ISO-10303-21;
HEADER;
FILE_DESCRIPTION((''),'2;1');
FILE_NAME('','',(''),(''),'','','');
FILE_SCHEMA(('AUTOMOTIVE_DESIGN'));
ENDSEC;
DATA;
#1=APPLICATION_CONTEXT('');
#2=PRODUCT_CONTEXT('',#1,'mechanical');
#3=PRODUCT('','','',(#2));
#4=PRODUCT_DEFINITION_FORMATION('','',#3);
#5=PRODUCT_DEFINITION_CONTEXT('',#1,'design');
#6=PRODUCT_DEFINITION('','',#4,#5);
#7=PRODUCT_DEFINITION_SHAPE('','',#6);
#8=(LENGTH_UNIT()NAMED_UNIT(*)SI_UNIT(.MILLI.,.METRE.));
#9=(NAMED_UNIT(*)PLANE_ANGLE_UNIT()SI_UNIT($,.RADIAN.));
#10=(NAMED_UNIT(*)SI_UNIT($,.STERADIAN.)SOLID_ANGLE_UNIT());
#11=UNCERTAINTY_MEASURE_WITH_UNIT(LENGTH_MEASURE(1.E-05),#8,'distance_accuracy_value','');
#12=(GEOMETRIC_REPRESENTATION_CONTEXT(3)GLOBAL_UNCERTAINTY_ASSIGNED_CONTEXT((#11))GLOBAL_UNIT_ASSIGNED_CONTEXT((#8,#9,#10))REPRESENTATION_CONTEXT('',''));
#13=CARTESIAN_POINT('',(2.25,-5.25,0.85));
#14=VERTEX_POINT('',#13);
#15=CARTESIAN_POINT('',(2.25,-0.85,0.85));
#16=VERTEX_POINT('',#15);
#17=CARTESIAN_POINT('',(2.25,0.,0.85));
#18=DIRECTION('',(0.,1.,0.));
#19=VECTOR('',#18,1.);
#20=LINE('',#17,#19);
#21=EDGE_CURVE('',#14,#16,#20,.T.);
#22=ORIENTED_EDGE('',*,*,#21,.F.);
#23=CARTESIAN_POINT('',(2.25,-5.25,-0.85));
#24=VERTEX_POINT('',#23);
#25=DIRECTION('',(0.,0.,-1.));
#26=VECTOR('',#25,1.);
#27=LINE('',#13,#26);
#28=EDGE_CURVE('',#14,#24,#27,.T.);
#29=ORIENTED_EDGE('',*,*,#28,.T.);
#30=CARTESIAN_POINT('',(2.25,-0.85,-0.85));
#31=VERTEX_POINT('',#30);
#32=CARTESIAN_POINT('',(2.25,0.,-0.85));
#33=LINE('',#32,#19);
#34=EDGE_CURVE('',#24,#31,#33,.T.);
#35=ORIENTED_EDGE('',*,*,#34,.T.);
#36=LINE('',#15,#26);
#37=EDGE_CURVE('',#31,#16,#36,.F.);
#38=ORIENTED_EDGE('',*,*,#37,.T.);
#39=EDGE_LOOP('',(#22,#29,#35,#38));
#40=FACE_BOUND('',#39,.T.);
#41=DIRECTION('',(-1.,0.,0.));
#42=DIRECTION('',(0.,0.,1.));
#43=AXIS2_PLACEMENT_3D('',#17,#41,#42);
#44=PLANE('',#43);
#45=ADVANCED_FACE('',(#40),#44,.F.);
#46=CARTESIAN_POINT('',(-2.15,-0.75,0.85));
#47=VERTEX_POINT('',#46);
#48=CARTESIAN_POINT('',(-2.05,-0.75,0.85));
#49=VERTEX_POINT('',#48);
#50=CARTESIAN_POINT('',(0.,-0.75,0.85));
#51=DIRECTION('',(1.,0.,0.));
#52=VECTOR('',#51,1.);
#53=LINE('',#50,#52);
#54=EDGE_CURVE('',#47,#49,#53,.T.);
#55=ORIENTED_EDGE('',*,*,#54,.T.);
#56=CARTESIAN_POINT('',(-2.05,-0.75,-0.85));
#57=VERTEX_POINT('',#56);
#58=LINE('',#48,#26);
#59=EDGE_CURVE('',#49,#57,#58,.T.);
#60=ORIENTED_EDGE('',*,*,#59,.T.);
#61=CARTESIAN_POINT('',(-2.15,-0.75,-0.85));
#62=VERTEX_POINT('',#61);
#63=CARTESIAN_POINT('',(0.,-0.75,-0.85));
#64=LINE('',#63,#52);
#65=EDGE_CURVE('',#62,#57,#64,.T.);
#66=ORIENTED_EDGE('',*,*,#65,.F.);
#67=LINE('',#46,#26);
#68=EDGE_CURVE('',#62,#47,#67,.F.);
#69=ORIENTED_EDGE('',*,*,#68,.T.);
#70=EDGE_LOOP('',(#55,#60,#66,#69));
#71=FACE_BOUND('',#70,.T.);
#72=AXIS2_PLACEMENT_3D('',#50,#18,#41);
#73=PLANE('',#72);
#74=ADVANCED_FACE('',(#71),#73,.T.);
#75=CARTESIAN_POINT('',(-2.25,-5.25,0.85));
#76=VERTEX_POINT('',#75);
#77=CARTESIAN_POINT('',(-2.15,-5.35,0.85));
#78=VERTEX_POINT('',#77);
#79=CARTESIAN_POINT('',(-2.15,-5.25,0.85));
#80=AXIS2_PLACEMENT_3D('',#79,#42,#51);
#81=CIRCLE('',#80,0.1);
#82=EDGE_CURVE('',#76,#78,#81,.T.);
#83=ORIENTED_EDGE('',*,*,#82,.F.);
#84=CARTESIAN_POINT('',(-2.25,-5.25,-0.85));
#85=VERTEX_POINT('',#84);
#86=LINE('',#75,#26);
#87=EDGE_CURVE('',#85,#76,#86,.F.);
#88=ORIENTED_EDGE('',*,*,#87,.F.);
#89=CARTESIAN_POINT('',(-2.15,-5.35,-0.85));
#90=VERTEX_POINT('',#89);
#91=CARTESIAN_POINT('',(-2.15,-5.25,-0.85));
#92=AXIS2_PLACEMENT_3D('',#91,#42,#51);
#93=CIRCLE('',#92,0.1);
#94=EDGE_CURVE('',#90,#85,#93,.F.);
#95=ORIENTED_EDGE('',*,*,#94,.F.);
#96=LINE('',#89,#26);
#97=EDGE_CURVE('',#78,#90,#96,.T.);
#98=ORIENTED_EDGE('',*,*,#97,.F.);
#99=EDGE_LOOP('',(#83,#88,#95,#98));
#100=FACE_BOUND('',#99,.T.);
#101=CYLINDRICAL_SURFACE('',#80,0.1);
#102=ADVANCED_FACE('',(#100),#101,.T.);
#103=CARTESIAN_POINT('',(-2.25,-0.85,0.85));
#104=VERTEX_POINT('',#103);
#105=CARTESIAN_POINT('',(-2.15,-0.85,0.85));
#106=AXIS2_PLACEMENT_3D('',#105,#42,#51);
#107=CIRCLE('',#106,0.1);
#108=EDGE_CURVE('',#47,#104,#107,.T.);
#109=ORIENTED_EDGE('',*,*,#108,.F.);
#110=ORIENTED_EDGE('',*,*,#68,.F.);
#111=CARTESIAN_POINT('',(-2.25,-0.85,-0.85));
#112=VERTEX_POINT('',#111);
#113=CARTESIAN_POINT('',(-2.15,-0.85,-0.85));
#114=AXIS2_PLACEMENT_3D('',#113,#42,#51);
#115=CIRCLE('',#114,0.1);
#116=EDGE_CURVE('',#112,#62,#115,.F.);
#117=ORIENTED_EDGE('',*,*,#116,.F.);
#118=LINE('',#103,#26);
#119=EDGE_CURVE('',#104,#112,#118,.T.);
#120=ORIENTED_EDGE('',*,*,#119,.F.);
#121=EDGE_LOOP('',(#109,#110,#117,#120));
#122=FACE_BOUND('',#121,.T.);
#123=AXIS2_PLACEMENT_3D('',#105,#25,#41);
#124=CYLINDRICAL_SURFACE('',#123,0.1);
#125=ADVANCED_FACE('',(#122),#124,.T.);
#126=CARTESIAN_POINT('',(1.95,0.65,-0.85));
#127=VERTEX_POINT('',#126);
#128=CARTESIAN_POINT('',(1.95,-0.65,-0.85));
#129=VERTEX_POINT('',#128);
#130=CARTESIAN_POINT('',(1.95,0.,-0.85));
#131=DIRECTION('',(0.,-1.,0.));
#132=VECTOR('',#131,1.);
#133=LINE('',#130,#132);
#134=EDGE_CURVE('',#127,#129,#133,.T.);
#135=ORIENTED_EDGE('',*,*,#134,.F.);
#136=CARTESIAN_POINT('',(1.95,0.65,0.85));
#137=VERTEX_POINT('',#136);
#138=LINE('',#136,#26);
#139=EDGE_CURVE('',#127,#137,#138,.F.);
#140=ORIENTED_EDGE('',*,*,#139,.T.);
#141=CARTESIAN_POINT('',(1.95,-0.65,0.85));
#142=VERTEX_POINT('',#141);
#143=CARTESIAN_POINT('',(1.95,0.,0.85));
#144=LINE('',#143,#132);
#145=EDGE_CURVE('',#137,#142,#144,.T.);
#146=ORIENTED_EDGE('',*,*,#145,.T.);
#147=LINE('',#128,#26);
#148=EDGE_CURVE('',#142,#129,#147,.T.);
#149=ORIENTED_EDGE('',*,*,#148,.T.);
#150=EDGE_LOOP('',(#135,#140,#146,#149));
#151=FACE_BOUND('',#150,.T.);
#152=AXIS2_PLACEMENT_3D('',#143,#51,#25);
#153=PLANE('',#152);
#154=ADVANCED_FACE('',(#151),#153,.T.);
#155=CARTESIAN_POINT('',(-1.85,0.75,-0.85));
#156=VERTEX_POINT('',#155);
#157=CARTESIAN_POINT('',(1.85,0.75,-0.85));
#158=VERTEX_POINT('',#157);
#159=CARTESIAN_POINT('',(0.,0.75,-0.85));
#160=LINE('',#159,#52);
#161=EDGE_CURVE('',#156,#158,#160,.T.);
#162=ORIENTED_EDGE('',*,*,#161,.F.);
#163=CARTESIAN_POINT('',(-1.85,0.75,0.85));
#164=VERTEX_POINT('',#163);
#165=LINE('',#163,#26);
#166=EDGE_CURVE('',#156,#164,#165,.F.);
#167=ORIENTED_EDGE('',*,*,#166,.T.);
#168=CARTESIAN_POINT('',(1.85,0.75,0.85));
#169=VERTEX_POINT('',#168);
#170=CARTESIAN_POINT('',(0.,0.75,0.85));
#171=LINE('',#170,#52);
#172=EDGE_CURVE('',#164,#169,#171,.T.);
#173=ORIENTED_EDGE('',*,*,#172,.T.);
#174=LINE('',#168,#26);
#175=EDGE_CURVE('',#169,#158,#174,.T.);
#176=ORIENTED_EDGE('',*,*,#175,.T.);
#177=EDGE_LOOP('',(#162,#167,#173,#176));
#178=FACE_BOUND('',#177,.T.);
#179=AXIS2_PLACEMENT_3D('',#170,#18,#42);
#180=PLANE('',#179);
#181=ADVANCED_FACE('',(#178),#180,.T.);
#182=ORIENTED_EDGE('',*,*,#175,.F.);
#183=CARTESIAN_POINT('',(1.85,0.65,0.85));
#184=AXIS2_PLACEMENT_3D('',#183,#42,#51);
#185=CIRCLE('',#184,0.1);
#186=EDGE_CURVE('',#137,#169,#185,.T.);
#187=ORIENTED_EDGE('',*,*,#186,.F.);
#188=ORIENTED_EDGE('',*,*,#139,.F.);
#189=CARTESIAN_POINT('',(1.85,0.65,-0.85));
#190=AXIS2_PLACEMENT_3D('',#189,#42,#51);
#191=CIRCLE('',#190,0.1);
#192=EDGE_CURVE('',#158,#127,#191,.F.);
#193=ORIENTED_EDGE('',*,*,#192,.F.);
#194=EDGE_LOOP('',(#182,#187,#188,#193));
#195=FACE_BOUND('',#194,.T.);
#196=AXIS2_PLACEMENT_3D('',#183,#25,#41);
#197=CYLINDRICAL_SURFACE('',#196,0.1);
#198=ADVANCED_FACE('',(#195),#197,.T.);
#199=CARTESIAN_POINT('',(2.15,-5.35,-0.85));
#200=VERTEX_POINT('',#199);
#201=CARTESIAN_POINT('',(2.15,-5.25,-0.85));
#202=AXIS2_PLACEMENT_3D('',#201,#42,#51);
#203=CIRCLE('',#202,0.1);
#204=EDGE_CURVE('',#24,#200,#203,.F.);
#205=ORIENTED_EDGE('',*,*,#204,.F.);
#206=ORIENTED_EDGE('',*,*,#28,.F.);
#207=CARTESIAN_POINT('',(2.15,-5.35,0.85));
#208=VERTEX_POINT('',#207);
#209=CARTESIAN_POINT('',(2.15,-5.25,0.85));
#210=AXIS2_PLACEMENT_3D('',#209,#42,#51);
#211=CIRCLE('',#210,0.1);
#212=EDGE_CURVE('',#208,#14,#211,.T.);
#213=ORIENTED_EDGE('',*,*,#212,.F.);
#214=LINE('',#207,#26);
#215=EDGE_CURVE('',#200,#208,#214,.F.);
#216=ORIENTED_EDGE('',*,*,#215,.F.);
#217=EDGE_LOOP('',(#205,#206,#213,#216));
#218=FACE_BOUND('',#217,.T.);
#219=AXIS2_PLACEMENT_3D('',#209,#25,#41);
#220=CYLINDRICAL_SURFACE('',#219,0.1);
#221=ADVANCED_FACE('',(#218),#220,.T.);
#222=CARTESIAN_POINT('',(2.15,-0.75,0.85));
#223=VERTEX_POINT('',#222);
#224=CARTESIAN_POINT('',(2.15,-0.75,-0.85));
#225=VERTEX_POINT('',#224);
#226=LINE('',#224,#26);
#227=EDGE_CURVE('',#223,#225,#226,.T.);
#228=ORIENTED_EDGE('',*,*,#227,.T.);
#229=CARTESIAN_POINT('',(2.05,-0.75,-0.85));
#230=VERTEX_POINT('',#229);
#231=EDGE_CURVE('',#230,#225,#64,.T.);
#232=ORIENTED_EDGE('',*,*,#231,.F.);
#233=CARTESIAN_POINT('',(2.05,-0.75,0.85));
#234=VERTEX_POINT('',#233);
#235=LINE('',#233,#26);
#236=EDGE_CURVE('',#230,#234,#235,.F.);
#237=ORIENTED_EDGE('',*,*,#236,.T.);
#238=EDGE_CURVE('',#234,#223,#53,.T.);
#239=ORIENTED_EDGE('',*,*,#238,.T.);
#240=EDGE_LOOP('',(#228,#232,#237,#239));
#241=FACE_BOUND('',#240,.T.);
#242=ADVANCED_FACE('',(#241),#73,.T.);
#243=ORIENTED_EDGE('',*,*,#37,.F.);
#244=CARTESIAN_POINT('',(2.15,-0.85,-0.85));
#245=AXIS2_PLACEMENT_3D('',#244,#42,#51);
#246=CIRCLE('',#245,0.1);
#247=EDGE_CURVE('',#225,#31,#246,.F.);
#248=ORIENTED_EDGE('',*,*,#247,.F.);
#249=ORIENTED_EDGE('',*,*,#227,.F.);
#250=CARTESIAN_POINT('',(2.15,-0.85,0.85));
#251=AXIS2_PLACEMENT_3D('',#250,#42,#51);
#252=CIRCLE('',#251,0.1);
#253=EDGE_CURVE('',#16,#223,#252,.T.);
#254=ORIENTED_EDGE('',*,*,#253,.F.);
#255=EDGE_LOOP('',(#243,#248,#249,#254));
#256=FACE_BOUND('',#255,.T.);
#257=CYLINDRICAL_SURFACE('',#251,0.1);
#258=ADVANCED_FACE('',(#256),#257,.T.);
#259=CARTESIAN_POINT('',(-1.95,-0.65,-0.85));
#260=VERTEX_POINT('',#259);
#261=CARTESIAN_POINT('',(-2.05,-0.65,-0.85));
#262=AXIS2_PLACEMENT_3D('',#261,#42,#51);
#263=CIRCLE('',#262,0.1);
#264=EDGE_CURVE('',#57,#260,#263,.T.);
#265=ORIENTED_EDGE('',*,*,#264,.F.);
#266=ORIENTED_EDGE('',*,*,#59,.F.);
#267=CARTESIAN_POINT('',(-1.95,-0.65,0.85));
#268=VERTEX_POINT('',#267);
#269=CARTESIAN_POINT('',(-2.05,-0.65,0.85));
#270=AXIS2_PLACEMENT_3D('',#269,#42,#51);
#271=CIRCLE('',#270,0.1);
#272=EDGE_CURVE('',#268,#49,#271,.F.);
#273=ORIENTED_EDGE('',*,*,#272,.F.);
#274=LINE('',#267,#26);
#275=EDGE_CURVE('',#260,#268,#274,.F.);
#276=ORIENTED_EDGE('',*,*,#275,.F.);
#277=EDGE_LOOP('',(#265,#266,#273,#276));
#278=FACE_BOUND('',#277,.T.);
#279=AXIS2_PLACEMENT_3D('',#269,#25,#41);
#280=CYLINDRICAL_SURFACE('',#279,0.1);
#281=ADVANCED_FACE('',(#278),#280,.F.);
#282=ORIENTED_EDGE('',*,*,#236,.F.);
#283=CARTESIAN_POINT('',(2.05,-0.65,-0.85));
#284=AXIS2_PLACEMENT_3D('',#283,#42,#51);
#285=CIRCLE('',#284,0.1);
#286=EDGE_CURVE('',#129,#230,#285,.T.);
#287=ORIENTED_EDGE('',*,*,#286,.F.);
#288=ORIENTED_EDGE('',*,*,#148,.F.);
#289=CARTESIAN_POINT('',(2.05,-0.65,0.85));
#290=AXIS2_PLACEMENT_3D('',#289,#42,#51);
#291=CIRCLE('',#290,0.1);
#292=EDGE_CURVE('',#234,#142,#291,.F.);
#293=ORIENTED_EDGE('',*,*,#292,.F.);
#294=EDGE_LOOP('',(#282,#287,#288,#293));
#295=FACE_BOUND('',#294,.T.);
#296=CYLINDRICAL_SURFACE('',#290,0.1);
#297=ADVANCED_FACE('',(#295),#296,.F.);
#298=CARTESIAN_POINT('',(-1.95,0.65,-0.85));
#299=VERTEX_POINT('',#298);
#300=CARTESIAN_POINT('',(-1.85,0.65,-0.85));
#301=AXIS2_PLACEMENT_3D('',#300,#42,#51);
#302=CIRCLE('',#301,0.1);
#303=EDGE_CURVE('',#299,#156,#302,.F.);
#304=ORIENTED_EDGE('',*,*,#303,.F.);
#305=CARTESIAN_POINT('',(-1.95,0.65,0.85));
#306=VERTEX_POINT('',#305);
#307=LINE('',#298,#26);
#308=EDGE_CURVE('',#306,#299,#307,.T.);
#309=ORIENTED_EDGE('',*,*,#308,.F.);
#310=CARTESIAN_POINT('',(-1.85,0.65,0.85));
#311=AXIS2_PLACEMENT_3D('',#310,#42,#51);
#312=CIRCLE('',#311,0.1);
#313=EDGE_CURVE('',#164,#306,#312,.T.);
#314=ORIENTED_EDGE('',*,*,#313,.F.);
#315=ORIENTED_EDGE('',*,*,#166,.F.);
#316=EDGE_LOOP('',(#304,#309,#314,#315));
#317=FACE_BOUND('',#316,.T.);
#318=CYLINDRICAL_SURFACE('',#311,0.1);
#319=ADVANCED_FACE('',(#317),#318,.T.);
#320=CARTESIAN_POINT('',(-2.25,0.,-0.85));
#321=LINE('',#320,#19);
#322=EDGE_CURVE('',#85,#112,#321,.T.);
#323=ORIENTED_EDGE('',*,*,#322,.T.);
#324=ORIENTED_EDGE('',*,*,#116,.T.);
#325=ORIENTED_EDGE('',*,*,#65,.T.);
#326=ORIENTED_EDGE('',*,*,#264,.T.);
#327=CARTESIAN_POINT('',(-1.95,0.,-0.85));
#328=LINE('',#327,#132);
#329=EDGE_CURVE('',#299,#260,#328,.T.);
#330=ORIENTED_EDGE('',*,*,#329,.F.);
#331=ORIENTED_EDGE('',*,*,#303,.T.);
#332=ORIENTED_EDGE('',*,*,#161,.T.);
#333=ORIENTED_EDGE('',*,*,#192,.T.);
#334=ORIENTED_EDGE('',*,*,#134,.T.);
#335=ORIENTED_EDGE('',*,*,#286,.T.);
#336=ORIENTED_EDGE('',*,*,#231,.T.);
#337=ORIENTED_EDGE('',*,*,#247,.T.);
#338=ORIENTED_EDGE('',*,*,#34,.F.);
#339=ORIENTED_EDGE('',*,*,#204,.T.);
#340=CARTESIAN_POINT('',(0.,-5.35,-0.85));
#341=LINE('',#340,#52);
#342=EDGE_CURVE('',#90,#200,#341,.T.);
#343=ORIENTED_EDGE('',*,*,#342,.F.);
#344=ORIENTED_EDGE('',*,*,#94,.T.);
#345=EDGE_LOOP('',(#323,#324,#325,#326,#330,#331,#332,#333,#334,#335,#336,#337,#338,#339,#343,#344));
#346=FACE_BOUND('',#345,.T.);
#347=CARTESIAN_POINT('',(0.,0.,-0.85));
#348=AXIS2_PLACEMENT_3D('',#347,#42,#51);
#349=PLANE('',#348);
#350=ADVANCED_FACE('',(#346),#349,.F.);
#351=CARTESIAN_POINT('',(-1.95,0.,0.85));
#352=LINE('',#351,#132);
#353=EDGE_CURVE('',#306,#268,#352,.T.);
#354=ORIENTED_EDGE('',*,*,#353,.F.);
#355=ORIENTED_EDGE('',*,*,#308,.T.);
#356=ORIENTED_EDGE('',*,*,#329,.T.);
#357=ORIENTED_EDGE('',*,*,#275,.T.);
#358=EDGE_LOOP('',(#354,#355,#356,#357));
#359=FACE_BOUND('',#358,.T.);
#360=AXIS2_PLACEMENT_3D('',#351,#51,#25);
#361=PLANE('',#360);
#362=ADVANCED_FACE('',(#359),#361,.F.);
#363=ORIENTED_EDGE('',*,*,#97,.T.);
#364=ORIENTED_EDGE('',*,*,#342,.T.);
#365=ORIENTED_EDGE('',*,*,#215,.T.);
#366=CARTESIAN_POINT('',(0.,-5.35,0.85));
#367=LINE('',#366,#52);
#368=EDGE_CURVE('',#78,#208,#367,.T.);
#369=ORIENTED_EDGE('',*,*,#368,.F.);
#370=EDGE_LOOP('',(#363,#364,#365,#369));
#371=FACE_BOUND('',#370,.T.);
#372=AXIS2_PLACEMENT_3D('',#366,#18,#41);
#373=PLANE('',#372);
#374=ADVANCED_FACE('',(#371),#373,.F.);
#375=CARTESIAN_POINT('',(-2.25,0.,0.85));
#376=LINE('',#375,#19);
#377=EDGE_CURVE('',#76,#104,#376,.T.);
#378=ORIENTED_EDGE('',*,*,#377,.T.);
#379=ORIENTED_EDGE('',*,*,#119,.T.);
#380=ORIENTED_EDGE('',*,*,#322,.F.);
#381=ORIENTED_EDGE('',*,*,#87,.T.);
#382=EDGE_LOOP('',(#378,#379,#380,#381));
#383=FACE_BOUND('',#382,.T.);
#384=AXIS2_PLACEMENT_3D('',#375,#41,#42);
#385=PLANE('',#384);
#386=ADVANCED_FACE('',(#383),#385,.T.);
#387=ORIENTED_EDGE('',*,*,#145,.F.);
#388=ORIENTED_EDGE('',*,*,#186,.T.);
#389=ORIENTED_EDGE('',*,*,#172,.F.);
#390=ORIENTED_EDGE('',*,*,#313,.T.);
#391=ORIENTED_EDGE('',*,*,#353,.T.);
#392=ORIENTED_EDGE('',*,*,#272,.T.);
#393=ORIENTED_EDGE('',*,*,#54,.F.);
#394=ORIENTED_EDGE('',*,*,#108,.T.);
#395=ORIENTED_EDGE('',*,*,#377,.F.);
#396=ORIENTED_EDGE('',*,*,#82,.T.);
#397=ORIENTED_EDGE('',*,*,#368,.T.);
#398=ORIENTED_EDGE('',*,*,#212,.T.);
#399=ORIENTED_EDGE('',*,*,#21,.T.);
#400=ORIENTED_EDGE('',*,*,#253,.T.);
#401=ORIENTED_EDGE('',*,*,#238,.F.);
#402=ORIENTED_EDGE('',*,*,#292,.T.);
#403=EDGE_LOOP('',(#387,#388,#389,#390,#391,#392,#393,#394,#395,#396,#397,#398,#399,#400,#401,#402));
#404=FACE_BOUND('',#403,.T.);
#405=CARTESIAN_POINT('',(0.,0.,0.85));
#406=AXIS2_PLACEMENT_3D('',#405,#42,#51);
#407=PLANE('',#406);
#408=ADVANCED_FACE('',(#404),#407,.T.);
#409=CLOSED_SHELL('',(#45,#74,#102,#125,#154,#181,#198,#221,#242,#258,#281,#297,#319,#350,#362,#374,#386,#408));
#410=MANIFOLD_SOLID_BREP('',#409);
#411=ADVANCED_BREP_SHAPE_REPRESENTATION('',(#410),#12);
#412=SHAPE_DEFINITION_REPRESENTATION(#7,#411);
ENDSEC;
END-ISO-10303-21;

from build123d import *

# Parameters (mm, degrees)
SKETCH_1_W      = 3.9
SKETCH_1_H      = 1.5
EXTRUDE_1_DEPTH = 0.85
FILLET_1_R      = 0.1


with BuildPart() as part:
    # 草图1 → 凸台-拉伸1 (new, symmetric)
    with BuildSketch(Plane.XY):
        Rectangle(SKETCH_1_W, SKETCH_1_H)
        Polygon((1.95, -0.75), (-1.95, -0.75), (-2.25, -0.75), (-2.25, -5.35), (2.25, -5.35), (2.25, -0.75), align=None)
    extrude(amount=EXTRUDE_1_DEPTH, both=True)

    # 圆角1
    fillet_1_edges = [part.edges().sort_by_distance(p)[0] for p in [
        (1.95, -0.75, 0),
        (2.25, -0.75, 0),
        (2.25, -5.35, 0),
        (-2.25, -5.35, 0),
        (-2.25, -0.75, 0),
        (-1.95, -0.75, 0),
        (-1.95, 0.75, 0),
        (1.95, 0.75, 0),
    ]]
    fillet(fillet_1_edges, radius=FILLET_1_R)


solid = part.part
